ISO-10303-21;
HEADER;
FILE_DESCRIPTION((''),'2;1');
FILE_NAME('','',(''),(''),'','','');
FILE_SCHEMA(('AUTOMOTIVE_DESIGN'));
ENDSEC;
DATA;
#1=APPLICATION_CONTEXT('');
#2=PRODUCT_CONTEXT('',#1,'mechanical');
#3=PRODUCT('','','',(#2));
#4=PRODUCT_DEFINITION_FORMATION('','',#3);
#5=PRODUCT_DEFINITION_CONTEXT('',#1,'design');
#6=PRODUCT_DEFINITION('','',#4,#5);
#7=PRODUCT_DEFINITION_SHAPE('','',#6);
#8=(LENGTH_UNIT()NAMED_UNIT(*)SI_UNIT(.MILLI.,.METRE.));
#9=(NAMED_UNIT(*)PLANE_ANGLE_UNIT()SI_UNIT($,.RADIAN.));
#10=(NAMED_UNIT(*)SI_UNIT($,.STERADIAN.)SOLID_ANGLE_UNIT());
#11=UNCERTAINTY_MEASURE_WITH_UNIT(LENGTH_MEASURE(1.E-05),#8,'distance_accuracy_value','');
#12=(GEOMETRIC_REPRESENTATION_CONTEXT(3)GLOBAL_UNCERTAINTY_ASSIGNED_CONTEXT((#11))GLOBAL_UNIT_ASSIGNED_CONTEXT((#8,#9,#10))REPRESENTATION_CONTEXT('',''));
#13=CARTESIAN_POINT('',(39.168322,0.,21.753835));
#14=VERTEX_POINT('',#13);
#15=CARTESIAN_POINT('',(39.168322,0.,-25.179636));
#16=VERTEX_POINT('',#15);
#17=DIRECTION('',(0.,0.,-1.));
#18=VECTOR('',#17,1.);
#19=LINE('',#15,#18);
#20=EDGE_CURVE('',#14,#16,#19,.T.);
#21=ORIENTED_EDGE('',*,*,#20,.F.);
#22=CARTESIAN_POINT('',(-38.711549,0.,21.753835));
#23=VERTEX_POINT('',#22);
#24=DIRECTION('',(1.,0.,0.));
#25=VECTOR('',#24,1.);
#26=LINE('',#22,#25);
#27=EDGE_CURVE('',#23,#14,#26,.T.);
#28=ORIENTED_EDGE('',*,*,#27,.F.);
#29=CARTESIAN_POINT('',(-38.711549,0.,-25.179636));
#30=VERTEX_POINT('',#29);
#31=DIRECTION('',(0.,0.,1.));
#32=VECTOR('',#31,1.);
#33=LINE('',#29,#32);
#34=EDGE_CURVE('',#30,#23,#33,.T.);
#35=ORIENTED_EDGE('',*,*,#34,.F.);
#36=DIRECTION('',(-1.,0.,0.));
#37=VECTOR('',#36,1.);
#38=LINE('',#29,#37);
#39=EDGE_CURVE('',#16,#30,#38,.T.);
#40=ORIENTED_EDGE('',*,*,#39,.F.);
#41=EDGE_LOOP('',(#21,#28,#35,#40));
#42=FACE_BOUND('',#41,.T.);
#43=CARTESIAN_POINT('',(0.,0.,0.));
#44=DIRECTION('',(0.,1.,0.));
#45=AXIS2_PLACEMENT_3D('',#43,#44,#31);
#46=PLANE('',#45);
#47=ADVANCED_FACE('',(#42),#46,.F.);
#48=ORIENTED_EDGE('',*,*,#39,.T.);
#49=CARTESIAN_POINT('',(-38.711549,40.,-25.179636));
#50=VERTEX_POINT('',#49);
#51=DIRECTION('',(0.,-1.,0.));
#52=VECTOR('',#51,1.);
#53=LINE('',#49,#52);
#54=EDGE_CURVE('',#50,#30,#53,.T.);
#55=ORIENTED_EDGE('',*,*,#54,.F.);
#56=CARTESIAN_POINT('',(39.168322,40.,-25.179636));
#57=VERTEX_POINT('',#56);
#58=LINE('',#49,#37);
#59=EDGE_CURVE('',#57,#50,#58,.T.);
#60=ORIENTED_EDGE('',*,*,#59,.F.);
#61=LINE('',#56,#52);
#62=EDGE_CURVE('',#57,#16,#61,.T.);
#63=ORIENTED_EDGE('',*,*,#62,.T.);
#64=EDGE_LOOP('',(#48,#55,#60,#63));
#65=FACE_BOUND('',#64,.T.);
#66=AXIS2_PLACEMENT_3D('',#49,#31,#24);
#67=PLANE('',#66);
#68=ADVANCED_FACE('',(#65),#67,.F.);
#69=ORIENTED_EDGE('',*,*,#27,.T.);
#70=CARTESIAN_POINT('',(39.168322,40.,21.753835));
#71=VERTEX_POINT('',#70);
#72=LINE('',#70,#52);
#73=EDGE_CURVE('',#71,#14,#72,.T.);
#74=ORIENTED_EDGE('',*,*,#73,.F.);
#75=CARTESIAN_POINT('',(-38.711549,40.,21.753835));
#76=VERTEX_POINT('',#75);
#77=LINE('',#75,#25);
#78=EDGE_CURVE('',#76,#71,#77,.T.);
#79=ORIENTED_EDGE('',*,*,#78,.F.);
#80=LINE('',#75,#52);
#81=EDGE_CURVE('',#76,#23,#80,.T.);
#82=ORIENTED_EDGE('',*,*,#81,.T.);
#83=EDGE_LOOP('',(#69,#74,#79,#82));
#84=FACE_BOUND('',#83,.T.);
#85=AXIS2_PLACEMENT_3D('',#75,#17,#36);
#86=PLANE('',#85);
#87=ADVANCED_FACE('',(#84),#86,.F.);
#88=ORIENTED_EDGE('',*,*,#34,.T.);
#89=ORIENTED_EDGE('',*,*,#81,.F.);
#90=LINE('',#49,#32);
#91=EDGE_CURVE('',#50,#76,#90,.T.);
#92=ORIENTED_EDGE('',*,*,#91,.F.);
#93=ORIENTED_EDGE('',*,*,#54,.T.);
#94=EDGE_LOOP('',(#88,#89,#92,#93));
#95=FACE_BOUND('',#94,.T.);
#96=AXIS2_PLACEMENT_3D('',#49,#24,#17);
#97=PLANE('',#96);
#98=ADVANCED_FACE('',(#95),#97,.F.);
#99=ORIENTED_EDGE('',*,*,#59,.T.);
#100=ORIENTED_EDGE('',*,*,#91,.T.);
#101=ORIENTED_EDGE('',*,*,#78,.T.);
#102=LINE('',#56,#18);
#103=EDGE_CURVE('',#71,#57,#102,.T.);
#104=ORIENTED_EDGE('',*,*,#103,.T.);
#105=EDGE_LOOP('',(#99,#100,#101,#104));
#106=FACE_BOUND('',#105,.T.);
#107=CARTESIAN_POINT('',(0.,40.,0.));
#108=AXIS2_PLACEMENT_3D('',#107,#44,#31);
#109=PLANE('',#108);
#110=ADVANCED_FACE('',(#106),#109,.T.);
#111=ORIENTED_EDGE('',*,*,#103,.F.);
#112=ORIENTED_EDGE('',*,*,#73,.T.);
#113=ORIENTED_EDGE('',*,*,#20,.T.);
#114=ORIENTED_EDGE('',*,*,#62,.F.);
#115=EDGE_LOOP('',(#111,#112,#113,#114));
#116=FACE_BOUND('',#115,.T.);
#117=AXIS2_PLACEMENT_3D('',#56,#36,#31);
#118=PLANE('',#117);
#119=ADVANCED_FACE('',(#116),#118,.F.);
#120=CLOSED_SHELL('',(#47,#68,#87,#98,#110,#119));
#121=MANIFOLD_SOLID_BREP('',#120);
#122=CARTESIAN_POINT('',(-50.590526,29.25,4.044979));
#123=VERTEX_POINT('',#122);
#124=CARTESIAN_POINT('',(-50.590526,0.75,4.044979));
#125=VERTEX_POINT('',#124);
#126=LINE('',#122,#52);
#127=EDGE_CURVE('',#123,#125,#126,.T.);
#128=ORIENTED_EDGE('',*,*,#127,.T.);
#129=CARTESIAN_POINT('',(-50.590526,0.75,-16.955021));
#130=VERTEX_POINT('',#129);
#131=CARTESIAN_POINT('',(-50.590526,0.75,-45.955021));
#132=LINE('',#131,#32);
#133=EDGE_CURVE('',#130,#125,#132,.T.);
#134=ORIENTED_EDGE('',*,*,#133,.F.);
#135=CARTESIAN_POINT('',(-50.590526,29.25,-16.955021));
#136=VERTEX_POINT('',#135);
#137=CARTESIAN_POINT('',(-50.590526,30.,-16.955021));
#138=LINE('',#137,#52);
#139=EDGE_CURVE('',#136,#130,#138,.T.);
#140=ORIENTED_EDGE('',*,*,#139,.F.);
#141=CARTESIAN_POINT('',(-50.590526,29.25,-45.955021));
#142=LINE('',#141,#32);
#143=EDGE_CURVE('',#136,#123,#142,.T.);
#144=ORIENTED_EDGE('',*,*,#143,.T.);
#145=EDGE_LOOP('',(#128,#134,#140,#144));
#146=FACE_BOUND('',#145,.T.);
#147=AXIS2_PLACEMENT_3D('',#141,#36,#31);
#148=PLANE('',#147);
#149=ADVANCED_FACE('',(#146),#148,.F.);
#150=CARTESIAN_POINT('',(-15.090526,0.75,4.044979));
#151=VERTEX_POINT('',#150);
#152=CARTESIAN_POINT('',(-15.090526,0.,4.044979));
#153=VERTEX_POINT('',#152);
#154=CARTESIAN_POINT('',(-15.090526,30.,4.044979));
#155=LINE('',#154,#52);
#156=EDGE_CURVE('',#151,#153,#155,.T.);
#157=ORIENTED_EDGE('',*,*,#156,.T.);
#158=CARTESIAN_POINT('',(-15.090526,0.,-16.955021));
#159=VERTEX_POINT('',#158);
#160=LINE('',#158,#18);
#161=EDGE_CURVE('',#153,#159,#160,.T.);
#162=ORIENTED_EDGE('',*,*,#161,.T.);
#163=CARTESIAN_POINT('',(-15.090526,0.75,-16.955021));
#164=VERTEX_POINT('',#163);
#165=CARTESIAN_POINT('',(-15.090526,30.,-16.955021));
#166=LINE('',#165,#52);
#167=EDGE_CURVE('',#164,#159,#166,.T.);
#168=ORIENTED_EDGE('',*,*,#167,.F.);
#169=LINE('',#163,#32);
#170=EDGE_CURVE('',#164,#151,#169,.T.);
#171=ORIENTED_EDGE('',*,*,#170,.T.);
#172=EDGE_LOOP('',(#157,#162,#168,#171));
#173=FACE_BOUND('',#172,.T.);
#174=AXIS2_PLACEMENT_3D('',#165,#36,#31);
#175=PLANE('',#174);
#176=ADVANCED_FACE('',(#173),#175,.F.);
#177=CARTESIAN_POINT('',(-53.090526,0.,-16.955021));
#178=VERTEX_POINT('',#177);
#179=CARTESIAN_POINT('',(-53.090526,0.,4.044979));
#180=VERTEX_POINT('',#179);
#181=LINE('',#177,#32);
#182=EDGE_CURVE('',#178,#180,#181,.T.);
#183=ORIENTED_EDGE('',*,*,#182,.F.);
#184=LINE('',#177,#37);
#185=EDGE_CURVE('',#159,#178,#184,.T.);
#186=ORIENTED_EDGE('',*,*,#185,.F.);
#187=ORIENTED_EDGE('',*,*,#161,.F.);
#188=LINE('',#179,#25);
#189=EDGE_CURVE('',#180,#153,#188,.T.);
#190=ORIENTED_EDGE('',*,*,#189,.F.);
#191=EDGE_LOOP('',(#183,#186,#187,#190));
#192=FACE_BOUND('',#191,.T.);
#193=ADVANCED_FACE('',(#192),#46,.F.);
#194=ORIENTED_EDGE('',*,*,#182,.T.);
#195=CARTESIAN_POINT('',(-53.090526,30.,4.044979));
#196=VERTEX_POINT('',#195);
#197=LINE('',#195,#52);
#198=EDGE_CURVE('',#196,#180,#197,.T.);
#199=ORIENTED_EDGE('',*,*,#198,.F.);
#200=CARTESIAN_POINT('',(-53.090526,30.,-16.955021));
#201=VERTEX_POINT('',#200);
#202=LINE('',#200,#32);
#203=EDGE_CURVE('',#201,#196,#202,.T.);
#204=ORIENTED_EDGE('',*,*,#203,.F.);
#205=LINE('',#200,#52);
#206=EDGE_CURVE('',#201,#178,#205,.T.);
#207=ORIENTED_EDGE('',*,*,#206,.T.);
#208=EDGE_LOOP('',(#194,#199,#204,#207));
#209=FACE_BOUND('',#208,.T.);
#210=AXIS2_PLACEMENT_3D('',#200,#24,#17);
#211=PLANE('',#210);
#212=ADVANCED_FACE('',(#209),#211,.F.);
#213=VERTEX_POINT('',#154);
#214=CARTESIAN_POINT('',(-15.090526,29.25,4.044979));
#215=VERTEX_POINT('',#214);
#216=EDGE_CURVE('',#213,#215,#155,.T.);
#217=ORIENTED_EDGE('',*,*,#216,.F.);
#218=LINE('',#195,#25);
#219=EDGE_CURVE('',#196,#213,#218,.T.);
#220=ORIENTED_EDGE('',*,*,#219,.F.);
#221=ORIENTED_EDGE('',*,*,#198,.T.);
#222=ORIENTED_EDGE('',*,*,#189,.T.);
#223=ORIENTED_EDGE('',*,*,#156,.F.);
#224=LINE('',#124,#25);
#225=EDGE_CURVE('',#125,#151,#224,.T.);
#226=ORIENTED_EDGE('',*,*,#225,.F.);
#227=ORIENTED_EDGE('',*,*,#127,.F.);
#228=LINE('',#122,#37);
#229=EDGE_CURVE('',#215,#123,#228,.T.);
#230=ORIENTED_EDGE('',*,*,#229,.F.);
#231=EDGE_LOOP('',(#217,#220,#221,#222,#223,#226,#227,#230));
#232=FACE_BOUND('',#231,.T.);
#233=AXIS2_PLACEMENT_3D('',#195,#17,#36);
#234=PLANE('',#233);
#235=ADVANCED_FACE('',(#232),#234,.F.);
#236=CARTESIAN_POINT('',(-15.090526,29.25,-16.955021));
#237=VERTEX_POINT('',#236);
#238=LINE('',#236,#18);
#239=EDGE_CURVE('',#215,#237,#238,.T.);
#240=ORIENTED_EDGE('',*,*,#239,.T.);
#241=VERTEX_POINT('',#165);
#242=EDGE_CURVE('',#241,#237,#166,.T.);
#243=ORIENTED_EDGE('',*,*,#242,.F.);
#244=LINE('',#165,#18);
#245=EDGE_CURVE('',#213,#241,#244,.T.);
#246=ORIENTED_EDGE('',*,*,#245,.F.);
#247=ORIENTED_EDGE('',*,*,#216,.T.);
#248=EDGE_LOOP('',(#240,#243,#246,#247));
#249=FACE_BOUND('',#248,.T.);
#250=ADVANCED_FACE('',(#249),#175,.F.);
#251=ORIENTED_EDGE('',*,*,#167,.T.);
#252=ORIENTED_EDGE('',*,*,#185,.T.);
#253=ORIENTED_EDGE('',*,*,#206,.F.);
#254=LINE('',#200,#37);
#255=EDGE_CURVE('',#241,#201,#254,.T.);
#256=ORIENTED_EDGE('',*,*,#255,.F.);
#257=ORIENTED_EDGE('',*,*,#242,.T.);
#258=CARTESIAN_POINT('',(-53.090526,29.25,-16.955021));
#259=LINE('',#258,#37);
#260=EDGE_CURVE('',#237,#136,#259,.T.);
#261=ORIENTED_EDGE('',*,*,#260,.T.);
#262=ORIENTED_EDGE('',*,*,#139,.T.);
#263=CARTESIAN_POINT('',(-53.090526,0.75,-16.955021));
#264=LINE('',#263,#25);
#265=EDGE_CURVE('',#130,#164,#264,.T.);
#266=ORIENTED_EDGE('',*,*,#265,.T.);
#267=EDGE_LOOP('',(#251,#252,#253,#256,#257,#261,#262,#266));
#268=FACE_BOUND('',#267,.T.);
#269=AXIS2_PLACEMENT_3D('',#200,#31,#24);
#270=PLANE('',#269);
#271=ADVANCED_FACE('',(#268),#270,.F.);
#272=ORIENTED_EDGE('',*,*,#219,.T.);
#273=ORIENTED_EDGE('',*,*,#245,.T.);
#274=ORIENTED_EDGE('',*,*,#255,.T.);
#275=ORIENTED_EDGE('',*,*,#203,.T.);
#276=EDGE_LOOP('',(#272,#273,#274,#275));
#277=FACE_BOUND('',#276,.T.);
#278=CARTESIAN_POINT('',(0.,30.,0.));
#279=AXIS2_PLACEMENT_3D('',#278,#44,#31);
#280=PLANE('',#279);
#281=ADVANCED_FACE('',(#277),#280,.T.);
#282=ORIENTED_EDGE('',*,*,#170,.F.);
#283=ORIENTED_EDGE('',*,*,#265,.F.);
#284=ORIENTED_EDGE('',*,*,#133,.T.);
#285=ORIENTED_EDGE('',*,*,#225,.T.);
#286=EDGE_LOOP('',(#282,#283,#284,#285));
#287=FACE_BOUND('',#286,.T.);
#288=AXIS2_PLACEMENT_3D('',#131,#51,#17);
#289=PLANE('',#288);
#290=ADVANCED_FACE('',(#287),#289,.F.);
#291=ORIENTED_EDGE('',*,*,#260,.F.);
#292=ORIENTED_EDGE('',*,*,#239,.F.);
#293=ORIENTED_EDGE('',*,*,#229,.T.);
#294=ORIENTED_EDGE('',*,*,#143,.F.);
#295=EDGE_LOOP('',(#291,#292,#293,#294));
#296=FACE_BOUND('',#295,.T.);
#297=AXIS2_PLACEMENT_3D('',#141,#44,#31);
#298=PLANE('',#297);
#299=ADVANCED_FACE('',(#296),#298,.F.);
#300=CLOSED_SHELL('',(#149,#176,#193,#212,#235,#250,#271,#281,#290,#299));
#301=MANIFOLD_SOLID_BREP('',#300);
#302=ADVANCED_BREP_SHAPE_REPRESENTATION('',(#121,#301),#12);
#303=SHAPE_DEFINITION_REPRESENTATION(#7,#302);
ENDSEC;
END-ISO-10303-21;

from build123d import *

# Parameters (mm, degrees)
SKETCH1_W           = 77.879871538
SKETCH1_H           = 46.933470971
BOSS_EXTRUDE1_DEPTH = 40
SKETCH7_W           = 38
SKETCH7_H           = 21
BOSS_EXTRUDE3_DEPTH = 30
SKETCH8_W           = 40
SKETCH8_H           = 28.5
CUT_EXTRUDE1_DEPTH  = 50


with BuildPart() as part:
    # Sketch1 → Boss-Extrude1 (new body)
    with BuildSketch(Plane(origin=(0, 0, 0), x_dir=(1, 0, 0), z_dir=(0, 1, 0))):
        with Locations((0.22838672, 1.7129004)):
            Rectangle(SKETCH1_W, SKETCH1_H)
    extrude(amount=BOSS_EXTRUDE1_DEPTH)


with BuildPart() as body_2:
    # Sketch7 → Boss-Extrude3 (new body)
    with BuildSketch(Plane(origin=(0, 0, 0), x_dir=(1, 0, 0), z_dir=(0, 1, 0))):
        with Locations((-34.090526118, 6.455021393)):
            Rectangle(SKETCH7_W, SKETCH7_H)
    extrude(amount=BOSS_EXTRUDE3_DEPTH)

    # Sketch8 → Cut-Extrude1 (cut)
    with BuildSketch(Plane.XY.offset(4.044978607)):
        with Locations((-30.590526118, 15)):
            Rectangle(SKETCH8_W, SKETCH8_H)
    extrude(amount=-CUT_EXTRUDE1_DEPTH, mode=Mode.SUBTRACT)


solid = Compound([part.part, body_2.part])
